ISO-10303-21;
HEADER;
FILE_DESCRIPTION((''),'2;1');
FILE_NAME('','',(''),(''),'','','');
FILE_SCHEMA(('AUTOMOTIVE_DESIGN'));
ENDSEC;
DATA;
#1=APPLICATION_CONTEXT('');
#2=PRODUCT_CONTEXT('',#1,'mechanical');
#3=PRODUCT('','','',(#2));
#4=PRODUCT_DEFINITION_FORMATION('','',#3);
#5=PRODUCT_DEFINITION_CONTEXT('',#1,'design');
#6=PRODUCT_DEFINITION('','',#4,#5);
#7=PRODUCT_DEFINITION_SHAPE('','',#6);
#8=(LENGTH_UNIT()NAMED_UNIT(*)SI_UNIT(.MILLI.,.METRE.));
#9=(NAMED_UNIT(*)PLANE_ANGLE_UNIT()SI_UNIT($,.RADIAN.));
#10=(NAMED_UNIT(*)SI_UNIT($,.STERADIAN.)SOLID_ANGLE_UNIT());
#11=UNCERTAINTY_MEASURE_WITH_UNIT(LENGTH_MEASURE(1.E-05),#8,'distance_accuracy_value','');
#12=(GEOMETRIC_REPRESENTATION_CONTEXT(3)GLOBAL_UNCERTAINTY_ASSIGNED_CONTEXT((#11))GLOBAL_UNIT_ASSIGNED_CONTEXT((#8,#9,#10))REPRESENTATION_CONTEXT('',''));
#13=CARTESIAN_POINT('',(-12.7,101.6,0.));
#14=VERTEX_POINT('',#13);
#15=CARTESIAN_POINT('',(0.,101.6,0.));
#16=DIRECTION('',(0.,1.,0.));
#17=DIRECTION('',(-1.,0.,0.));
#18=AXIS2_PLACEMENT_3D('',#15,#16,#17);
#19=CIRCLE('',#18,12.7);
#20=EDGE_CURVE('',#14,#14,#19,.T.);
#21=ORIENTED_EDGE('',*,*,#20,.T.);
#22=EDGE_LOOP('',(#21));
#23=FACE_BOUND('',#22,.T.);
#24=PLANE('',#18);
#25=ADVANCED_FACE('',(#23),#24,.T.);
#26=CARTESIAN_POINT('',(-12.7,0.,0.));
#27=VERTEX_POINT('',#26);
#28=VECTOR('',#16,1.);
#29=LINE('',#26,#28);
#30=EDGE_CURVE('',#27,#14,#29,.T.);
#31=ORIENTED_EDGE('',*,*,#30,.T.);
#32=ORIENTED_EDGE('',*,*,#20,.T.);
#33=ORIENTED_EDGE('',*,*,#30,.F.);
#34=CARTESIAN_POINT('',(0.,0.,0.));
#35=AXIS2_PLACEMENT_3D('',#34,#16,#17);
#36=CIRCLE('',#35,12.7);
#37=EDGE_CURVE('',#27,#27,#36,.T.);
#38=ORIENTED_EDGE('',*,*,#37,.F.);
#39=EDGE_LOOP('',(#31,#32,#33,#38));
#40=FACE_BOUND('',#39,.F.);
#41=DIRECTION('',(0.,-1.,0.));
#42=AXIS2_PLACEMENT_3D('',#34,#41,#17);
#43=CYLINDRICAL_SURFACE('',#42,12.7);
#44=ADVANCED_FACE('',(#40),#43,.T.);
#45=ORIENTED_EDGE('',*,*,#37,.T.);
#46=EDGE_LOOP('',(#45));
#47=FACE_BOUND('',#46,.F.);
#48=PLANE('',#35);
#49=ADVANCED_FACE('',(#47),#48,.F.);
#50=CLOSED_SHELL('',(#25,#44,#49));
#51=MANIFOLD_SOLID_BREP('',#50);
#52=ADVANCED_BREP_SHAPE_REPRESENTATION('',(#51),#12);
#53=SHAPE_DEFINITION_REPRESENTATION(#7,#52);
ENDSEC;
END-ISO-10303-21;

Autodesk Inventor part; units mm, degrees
ref_plane "YZ Plane" through (0, 0, 0) normal (1, 0, 0) x (0, 1, 0)
ref_plane "XZ Plane" through (0, 0, 0) normal (0, 1, 0) x (-1, 0, 0)
ref_plane "XY Plane" through (0, 0, 0) normal (0, 0, 1) x (1, 0, 0)
sketch "Sketch1" plane through (0, 0, 0) normal (0, 1, 0) x (-1, 0, 0)
  circle A0 centre (0, 0) radius 12.7
  dimension "d0" = 25.4
extrude "Extrusion1" add sketch "Sketch1" along normal blind 101.6
properties part number "Chalk"
